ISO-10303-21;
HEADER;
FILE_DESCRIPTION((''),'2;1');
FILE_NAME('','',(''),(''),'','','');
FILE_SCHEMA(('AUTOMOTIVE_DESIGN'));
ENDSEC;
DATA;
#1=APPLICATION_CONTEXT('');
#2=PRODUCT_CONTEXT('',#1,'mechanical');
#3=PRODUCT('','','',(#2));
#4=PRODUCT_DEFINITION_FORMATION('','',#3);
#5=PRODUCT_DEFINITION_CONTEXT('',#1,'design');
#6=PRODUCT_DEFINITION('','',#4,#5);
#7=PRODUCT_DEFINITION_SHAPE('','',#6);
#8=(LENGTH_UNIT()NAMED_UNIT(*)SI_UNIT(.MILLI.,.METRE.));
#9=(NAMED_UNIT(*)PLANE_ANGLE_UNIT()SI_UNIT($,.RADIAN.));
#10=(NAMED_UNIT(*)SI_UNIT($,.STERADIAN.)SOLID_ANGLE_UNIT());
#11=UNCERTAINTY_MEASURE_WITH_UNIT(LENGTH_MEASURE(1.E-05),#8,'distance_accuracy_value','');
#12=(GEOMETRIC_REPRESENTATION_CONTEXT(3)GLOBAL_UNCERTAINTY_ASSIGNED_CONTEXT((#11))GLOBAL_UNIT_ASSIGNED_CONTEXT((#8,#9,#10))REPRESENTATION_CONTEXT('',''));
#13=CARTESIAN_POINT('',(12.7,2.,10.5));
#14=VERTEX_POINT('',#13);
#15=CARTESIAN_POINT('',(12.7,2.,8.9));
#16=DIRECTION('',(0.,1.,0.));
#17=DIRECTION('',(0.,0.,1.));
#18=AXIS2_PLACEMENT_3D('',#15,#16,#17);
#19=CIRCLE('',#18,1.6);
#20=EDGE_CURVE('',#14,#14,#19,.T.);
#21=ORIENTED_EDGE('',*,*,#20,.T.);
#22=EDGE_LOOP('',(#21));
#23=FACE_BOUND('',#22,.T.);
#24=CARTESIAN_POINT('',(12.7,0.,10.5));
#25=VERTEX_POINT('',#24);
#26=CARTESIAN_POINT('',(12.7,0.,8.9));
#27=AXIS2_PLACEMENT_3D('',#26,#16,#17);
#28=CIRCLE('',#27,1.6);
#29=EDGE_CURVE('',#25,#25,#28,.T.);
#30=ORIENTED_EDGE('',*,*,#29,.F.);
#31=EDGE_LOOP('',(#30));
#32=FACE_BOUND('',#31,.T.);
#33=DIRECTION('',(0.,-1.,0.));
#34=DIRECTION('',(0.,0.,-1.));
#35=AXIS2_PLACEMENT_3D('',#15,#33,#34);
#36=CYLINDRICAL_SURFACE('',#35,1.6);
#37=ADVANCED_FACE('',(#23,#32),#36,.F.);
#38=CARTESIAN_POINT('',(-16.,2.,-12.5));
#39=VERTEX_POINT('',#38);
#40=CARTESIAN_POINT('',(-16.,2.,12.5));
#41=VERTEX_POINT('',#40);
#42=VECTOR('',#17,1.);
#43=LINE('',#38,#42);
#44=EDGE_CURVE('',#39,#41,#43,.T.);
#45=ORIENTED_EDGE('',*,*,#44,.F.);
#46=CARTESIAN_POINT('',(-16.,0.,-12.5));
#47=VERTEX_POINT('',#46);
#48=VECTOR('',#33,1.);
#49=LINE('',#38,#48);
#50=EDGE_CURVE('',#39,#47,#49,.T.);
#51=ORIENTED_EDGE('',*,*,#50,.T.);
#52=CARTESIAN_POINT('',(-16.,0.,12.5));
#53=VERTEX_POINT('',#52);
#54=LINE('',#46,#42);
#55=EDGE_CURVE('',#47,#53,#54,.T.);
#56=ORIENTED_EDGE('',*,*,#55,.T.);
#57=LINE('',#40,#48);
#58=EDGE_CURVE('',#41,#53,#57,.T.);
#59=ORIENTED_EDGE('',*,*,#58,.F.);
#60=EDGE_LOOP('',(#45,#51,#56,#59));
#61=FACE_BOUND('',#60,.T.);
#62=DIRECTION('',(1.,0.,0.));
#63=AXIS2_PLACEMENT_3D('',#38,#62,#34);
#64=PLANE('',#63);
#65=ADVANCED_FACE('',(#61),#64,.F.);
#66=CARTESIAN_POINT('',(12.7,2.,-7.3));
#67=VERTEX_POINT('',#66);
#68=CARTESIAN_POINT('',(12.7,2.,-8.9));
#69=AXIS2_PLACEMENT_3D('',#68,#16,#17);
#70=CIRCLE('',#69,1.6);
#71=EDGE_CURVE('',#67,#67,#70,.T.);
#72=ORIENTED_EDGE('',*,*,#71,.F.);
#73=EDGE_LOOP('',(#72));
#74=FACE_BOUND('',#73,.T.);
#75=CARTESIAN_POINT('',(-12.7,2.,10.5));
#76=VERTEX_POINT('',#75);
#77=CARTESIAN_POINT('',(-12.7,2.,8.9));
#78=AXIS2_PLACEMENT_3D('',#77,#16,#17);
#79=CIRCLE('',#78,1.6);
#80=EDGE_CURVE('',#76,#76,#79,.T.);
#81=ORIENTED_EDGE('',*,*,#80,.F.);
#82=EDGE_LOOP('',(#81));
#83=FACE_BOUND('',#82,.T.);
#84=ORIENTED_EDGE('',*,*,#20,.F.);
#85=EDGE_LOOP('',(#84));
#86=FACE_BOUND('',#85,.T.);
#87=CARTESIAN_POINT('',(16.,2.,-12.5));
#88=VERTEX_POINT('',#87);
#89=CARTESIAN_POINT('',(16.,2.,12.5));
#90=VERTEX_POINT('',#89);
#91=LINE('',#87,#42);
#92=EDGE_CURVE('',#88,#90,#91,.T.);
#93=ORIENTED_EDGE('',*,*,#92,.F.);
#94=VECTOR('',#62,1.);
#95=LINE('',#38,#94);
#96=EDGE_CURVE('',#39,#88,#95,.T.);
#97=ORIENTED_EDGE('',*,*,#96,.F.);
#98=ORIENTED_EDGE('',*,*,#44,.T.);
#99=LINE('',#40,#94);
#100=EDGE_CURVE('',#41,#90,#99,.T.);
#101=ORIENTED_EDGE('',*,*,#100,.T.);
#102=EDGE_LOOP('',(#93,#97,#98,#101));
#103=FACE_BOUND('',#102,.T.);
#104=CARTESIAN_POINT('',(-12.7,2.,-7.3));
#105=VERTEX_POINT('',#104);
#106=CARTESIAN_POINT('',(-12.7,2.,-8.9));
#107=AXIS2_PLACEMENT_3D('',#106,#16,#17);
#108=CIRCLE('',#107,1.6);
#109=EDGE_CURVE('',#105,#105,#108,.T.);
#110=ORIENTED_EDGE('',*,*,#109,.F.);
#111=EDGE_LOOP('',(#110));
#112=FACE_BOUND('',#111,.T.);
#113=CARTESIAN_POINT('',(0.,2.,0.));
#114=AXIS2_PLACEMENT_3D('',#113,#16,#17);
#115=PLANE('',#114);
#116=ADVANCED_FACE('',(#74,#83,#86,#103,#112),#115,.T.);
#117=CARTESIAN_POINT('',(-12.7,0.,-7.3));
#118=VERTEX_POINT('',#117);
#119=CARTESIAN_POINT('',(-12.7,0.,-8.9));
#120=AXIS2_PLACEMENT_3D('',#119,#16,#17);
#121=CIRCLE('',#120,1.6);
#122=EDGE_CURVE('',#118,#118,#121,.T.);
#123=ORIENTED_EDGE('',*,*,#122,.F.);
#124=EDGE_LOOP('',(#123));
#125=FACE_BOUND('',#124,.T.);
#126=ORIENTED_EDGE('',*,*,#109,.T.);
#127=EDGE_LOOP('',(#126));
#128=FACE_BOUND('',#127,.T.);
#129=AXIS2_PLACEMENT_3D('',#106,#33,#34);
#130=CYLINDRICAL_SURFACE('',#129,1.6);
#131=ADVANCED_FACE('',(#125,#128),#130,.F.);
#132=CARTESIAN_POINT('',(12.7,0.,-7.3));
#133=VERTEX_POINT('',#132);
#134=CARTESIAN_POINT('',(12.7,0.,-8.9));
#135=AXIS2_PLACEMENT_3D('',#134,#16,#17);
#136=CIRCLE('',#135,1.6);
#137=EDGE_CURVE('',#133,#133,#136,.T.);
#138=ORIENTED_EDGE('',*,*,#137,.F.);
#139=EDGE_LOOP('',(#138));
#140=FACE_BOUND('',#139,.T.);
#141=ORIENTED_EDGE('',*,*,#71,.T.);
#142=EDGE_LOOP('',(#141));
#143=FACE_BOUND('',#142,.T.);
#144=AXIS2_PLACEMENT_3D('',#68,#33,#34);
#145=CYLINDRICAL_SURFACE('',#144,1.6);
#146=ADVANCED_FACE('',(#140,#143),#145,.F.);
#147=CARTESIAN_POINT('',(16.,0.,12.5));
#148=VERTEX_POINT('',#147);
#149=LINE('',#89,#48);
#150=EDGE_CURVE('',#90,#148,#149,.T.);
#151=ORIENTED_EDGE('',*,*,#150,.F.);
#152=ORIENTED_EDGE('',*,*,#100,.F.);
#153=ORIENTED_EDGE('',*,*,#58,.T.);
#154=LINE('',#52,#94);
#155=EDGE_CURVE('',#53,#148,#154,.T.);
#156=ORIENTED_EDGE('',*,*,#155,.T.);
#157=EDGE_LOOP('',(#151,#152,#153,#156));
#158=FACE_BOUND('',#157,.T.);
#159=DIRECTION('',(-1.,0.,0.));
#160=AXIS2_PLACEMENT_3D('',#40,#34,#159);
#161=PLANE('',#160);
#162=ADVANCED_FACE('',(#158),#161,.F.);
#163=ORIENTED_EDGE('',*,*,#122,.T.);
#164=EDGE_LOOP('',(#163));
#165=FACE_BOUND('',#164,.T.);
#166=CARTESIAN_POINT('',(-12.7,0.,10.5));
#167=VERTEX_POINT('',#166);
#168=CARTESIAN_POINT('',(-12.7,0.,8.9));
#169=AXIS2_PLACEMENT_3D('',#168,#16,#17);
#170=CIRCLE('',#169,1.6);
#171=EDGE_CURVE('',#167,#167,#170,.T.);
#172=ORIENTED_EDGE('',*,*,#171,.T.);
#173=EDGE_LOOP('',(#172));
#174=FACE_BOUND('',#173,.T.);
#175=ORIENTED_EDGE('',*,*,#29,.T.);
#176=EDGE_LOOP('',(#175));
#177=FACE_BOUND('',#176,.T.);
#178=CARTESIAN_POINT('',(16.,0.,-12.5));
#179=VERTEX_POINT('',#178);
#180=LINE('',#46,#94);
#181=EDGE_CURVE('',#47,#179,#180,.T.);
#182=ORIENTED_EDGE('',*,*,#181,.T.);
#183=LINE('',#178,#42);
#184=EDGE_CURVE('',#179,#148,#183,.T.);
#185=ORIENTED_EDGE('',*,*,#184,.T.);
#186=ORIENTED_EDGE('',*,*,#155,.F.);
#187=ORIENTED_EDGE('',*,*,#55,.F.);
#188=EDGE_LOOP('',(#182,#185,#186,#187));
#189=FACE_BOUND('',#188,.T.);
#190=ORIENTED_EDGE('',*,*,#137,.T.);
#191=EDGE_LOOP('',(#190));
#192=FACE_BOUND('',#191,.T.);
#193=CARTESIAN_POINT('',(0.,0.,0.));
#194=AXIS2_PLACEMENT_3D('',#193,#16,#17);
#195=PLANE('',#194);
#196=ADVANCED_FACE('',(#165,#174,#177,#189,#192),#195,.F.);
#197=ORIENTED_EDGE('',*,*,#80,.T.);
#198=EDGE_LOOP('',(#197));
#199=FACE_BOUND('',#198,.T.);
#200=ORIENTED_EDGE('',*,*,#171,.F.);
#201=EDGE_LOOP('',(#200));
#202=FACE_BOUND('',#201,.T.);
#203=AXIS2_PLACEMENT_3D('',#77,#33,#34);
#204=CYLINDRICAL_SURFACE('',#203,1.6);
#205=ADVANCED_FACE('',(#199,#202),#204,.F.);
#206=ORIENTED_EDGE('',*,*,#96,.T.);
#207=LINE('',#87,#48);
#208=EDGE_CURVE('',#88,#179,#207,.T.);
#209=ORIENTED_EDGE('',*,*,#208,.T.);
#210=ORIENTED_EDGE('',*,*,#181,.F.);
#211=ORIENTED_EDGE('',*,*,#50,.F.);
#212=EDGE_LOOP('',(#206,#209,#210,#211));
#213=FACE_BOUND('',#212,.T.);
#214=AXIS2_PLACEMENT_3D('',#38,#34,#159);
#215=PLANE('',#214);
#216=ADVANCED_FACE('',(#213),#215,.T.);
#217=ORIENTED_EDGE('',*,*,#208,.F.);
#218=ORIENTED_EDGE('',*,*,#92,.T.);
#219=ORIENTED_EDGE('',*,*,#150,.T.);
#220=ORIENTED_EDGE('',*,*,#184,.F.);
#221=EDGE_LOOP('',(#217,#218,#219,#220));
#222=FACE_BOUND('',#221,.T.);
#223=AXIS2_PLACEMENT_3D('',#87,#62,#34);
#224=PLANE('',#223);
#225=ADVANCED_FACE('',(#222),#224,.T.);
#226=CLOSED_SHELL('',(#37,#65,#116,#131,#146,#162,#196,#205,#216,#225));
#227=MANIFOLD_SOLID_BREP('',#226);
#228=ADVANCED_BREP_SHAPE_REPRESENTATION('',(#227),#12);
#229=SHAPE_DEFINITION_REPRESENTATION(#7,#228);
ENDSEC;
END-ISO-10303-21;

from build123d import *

# Parameters (mm, degrees)
SKETCH1_W           = 32
SKETCH1_H           = 25
BOSS_EXTRUDE1_DEPTH = 2
SKETCH2_R           = 1.6
CUT_EXTRUDE1_DEPTH  = 21.402205763


with BuildPart() as part:
    # Sketch1 → Boss-Extrude1 (new body)
    with BuildSketch(Plane(origin=(0, 0, 0), x_dir=(1, 0, 0), z_dir=(0, 1, 0))):
        Rectangle(SKETCH1_W, SKETCH1_H)
    extrude(amount=BOSS_EXTRUDE1_DEPTH)

    # Sketch2 → Cut-Extrude1 (cut, through all)
    with BuildSketch(Plane(origin=(0, 0, 0), x_dir=(1, 0, 0), z_dir=(0, 1, 0))):
        with Locations(Location((-12.7, 8.9, 0), (0, 0, 270))):
            Circle(SKETCH2_R)
        with Locations(Location((-12.7, -8.9, 0), (0, 0, 270))):
            Circle(SKETCH2_R)
        with Locations(Location((12.7, 8.9, 0), (0, 0, 270))):
            Circle(SKETCH2_R)
        with Locations(Location((12.7, -8.9, 0), (0, 0, 270))):
            Circle(SKETCH2_R)
    extrude(amount=CUT_EXTRUDE1_DEPTH, mode=Mode.SUBTRACT)


solid = part.part
